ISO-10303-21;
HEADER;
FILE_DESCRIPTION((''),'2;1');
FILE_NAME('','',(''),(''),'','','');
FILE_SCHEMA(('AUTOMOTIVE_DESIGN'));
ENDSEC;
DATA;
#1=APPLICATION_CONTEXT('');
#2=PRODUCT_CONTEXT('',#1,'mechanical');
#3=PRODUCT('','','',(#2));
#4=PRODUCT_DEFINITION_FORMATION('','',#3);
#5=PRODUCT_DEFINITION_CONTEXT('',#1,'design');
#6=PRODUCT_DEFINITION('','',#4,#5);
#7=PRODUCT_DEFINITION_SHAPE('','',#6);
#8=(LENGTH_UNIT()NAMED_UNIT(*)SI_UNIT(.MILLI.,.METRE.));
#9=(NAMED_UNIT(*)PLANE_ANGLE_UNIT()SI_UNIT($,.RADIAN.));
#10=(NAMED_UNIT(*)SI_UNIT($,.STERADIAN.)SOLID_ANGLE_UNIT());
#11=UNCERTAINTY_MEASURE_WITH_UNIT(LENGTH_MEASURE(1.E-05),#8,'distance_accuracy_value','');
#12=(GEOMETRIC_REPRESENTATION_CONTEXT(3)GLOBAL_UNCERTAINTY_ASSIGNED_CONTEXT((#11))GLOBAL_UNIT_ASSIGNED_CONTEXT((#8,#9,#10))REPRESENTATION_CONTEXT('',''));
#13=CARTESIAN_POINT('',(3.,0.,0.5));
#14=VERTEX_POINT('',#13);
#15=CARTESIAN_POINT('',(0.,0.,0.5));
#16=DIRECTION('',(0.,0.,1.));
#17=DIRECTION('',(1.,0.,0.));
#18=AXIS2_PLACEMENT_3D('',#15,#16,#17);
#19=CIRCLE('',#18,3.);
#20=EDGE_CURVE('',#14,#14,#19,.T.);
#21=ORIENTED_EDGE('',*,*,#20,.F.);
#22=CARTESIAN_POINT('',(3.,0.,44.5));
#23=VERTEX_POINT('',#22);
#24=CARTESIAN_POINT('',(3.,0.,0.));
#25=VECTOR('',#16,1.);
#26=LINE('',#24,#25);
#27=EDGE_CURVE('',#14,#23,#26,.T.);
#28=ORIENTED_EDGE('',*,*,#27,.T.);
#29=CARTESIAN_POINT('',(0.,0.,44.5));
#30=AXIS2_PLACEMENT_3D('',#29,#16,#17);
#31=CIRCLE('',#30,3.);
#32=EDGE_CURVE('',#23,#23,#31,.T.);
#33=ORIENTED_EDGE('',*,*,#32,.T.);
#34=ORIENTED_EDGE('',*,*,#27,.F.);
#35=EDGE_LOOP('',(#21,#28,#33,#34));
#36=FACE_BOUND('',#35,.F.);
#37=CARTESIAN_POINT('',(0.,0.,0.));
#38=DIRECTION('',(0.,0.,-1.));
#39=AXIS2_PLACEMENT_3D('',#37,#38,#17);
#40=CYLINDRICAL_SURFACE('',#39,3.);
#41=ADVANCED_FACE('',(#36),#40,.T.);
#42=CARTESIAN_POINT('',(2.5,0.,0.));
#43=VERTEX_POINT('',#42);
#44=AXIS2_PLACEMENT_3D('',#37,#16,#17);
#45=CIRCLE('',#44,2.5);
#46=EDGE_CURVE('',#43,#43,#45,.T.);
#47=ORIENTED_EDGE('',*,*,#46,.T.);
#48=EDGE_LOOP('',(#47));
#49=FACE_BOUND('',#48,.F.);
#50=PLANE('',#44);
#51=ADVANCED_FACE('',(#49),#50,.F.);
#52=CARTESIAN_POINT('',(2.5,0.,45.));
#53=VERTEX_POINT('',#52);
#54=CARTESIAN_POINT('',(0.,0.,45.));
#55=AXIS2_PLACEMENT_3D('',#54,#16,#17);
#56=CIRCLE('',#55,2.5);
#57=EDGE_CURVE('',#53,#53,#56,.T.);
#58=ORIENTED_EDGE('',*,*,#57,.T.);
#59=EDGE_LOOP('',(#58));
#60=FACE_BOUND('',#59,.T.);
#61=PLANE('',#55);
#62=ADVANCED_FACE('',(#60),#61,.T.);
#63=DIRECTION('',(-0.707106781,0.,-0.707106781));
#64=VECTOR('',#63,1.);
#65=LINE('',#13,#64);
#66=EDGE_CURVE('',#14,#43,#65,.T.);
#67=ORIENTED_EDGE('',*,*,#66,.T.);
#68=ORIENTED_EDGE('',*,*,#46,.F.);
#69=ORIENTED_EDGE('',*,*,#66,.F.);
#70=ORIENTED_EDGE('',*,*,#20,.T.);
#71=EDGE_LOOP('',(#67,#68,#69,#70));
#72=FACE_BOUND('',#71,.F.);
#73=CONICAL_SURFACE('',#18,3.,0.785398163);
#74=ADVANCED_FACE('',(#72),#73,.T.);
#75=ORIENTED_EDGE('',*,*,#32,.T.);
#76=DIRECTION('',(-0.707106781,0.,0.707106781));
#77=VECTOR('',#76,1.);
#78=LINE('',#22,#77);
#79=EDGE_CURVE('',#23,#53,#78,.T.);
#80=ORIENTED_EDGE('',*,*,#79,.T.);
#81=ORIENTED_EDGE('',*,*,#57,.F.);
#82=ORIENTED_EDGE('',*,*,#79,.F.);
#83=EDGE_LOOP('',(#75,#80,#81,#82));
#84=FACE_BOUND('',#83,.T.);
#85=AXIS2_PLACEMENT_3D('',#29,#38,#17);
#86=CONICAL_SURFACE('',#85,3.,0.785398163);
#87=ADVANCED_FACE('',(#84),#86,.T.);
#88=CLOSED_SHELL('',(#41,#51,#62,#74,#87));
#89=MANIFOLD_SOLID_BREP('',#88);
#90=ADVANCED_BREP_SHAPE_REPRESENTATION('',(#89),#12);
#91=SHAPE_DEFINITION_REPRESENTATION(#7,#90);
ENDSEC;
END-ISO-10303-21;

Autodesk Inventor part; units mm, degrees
ref_plane "YZ Plane" through (0, 0, 0) normal (1, 0, 0) x (0, 1, 0)
ref_plane "XZ Plane" through (0, 0, 0) normal (0, 1, 0) x (-1, 0, 0)
ref_plane "XY Plane" through (0, 0, 0) normal (0, 0, 1) x (1, 0, 0)
sketch "Эскиз1" plane through (0, 0, 0) normal (0, 0, 1) x (1, 0, 0)
  circle A0 centre (0, 0) radius 3
  dimension "d0" = 6
extrude "Выдавливание1" add sketch "Эскиз1" along normal blind 45
chamfer "Фаска1" distance 0.5 angle 45 1 edges at (-3, 0, 45)
chamfer "Фаска2" distance 0.5 angle 45 1 edges at (-3, 0, 0)
properties part number "Штрифт" material "Сталь, углеродистая"
